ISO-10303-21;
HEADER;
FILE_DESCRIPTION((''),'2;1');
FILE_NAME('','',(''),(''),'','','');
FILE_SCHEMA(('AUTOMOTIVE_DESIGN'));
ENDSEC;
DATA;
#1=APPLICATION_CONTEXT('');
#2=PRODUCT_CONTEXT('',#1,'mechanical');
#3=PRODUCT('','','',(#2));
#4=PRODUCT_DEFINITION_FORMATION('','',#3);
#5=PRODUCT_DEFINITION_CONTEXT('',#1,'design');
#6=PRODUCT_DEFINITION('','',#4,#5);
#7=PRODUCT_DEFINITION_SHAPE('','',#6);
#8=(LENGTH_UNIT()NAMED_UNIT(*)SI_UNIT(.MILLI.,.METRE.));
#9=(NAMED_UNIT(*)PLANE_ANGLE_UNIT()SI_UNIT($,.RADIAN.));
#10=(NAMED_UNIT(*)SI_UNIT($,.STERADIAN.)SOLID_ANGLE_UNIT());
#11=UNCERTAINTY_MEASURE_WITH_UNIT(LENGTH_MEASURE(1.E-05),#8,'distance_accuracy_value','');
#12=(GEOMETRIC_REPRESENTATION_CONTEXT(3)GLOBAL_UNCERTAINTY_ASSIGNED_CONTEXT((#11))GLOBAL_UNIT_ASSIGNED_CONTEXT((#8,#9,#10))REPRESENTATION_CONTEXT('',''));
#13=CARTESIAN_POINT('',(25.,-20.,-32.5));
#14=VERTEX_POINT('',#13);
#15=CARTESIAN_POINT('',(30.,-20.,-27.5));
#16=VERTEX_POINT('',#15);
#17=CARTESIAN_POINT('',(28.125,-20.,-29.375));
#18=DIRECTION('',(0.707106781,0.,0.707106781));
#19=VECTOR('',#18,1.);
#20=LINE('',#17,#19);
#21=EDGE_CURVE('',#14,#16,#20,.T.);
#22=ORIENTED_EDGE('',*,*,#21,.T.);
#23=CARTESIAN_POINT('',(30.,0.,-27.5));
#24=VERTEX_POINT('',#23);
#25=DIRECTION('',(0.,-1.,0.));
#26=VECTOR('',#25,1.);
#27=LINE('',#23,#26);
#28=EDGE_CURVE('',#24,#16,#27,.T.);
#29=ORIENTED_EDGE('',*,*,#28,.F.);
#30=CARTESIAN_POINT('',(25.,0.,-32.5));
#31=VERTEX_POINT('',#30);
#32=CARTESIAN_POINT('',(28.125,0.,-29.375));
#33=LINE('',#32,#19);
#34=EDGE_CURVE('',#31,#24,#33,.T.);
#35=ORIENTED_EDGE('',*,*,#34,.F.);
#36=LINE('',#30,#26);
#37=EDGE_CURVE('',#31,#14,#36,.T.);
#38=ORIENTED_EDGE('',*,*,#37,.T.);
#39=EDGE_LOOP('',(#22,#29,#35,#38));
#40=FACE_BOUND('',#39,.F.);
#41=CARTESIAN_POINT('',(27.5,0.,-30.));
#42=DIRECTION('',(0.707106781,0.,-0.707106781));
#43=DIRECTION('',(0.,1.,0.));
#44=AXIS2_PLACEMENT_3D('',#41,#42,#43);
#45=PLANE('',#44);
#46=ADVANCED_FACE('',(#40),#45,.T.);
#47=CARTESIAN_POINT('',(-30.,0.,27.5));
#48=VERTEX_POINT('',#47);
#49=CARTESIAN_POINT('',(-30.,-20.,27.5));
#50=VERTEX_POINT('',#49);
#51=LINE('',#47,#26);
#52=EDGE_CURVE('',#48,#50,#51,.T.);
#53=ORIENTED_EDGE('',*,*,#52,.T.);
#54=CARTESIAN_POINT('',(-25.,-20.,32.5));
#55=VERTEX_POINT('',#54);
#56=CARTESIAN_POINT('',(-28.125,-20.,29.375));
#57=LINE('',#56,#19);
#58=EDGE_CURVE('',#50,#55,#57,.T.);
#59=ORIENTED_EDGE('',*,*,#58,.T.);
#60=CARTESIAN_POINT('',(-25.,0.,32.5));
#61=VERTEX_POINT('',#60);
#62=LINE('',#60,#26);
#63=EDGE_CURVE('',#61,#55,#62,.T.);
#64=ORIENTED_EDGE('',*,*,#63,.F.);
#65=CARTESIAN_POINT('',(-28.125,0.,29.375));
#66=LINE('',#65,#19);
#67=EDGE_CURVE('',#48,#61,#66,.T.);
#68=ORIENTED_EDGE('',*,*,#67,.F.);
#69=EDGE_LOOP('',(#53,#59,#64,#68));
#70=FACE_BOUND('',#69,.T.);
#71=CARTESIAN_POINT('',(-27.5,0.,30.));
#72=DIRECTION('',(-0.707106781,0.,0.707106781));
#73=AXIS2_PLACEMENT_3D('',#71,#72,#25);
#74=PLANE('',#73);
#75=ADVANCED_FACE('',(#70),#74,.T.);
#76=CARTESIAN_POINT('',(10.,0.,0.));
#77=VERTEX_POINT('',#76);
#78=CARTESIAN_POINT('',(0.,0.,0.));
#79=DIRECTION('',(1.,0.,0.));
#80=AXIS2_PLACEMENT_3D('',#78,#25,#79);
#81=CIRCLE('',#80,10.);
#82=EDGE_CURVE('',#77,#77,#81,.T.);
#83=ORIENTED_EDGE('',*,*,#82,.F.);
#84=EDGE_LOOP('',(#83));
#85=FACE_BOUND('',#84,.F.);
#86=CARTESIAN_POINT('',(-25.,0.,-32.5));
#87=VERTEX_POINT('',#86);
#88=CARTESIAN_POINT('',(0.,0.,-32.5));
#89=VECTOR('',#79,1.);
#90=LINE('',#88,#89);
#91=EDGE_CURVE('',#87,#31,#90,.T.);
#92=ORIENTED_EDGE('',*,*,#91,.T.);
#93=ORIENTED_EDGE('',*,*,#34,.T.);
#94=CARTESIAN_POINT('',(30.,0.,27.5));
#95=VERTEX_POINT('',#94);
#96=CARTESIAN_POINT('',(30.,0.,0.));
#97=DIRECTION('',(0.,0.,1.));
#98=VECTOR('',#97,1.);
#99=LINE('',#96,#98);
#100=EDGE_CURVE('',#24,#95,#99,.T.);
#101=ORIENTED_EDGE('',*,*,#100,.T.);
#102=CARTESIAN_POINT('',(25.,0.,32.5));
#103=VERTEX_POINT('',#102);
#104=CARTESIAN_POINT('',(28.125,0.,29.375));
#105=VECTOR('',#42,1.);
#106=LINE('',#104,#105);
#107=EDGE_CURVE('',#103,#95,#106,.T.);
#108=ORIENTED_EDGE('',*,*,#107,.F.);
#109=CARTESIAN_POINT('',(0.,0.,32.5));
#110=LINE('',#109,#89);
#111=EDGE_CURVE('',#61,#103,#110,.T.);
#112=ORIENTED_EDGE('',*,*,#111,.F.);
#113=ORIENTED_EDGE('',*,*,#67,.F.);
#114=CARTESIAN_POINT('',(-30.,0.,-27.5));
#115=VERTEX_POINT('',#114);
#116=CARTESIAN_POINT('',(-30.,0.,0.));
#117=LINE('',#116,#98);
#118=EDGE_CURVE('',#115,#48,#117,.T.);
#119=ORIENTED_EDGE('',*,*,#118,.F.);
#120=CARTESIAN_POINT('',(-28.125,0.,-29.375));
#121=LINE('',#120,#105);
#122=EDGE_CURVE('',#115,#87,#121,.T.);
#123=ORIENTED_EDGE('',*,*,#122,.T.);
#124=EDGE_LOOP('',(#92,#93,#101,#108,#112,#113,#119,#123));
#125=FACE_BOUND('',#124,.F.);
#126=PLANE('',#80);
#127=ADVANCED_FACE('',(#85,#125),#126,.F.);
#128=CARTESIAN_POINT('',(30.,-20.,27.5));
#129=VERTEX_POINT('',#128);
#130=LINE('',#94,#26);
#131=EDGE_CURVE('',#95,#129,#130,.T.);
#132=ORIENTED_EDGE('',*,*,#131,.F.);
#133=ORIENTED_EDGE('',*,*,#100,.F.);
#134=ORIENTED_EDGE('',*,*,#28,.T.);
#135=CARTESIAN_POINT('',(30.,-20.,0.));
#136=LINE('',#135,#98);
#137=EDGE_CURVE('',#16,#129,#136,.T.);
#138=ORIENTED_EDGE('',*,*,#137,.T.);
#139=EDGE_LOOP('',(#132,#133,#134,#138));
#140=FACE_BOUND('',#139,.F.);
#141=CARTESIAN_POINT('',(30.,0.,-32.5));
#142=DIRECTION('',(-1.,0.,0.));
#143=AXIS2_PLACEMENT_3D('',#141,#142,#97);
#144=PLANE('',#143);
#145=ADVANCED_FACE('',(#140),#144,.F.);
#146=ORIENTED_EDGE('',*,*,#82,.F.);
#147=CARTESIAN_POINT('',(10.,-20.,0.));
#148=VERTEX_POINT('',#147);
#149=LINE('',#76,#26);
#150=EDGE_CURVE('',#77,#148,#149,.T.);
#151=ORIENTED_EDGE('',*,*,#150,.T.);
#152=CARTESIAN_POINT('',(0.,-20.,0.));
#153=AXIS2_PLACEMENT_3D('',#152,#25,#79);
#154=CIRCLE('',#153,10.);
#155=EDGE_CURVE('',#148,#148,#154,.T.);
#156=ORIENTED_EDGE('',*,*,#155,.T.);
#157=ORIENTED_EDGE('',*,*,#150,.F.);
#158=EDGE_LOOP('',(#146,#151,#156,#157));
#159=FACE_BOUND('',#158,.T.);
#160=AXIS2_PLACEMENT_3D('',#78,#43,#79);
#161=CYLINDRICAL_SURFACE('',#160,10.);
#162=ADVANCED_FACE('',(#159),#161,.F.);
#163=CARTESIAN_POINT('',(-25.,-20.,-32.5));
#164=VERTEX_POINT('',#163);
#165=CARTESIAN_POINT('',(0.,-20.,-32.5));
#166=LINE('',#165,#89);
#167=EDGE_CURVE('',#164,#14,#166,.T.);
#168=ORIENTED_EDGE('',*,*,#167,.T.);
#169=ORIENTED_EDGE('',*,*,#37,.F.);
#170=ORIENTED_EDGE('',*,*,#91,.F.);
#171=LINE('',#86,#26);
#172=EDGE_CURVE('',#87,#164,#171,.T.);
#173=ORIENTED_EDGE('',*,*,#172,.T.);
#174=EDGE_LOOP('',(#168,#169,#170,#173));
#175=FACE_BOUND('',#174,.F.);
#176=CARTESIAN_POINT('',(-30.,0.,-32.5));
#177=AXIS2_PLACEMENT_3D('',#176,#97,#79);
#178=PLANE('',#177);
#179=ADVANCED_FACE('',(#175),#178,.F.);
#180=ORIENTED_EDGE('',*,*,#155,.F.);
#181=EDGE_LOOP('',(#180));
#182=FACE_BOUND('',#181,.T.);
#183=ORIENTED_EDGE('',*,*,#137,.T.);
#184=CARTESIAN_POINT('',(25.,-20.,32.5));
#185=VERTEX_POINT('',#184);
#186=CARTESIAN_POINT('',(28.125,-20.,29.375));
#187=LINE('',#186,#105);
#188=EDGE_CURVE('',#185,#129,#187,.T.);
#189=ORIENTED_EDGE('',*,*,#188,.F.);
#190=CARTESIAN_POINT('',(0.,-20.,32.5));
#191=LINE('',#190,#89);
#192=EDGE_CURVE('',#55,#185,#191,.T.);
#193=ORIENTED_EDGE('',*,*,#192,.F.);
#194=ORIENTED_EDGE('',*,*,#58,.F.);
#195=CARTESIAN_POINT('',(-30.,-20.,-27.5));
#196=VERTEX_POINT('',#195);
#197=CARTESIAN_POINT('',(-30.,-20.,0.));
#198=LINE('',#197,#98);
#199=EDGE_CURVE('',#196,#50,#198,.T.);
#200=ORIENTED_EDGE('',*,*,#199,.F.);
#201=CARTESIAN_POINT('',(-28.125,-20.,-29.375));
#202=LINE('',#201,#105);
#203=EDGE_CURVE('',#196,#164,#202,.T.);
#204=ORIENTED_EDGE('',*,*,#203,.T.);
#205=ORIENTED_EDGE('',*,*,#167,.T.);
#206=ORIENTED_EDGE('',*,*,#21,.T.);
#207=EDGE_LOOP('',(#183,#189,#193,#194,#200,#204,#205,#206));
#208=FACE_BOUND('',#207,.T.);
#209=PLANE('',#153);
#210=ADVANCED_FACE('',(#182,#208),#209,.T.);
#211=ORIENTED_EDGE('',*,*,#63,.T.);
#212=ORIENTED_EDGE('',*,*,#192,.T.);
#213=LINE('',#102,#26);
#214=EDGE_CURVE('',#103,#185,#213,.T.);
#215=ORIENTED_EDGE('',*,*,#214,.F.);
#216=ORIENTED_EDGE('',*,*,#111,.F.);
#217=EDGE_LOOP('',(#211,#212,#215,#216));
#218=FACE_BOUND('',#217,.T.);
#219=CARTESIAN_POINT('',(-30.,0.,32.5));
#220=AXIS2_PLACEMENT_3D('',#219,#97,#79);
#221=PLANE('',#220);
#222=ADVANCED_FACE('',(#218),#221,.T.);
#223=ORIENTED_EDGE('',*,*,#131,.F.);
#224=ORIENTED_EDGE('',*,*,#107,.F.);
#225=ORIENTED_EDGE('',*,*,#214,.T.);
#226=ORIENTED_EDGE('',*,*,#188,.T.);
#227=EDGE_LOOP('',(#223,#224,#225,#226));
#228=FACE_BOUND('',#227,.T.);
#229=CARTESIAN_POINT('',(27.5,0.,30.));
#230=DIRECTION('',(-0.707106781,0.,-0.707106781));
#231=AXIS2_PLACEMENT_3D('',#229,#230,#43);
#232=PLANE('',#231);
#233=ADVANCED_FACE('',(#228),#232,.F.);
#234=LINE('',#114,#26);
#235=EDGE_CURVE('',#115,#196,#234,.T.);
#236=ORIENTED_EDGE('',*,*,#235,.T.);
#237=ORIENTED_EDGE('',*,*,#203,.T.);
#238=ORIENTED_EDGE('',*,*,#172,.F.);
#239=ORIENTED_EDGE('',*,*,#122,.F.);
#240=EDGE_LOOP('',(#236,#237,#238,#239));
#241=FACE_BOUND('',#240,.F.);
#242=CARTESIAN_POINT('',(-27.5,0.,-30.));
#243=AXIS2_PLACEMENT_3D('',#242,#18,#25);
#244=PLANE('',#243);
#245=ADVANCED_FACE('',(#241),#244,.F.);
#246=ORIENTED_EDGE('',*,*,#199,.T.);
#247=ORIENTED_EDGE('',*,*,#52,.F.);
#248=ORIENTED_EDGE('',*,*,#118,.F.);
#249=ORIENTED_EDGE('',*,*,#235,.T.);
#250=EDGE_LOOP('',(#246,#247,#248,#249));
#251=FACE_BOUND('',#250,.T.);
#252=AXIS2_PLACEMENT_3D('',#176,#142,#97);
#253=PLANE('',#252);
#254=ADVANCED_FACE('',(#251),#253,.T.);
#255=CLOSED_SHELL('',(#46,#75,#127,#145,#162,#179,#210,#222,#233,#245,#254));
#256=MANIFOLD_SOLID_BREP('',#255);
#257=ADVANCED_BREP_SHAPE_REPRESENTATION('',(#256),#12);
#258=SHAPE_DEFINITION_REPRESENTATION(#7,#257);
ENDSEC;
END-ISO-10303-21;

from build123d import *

# Parameters (mm, degrees)
F0_W     = 60
F0_H     = 65
F0_R     = 10
F1_DEPTH = 20
F2_SIZE  = 5


with BuildPart() as f1:
    # F0 (on Front) → F1 (new body)
    with BuildSketch(Plane.XZ):
        Rectangle(F0_W, F0_H)
        Circle(F0_R, mode=Mode.SUBTRACT)
    extrude(amount=F1_DEPTH)

    # F2
    f2_edges = [f1.edges().sort_by_distance(p)[0] for p in [
        (-30, -10, -32.5),
        (-30, -10, 32.5),
        (30, -10, -32.5),
        (30, -10, 32.5),
    ]]
    chamfer(f2_edges, length=F2_SIZE)


solid = f1.part
